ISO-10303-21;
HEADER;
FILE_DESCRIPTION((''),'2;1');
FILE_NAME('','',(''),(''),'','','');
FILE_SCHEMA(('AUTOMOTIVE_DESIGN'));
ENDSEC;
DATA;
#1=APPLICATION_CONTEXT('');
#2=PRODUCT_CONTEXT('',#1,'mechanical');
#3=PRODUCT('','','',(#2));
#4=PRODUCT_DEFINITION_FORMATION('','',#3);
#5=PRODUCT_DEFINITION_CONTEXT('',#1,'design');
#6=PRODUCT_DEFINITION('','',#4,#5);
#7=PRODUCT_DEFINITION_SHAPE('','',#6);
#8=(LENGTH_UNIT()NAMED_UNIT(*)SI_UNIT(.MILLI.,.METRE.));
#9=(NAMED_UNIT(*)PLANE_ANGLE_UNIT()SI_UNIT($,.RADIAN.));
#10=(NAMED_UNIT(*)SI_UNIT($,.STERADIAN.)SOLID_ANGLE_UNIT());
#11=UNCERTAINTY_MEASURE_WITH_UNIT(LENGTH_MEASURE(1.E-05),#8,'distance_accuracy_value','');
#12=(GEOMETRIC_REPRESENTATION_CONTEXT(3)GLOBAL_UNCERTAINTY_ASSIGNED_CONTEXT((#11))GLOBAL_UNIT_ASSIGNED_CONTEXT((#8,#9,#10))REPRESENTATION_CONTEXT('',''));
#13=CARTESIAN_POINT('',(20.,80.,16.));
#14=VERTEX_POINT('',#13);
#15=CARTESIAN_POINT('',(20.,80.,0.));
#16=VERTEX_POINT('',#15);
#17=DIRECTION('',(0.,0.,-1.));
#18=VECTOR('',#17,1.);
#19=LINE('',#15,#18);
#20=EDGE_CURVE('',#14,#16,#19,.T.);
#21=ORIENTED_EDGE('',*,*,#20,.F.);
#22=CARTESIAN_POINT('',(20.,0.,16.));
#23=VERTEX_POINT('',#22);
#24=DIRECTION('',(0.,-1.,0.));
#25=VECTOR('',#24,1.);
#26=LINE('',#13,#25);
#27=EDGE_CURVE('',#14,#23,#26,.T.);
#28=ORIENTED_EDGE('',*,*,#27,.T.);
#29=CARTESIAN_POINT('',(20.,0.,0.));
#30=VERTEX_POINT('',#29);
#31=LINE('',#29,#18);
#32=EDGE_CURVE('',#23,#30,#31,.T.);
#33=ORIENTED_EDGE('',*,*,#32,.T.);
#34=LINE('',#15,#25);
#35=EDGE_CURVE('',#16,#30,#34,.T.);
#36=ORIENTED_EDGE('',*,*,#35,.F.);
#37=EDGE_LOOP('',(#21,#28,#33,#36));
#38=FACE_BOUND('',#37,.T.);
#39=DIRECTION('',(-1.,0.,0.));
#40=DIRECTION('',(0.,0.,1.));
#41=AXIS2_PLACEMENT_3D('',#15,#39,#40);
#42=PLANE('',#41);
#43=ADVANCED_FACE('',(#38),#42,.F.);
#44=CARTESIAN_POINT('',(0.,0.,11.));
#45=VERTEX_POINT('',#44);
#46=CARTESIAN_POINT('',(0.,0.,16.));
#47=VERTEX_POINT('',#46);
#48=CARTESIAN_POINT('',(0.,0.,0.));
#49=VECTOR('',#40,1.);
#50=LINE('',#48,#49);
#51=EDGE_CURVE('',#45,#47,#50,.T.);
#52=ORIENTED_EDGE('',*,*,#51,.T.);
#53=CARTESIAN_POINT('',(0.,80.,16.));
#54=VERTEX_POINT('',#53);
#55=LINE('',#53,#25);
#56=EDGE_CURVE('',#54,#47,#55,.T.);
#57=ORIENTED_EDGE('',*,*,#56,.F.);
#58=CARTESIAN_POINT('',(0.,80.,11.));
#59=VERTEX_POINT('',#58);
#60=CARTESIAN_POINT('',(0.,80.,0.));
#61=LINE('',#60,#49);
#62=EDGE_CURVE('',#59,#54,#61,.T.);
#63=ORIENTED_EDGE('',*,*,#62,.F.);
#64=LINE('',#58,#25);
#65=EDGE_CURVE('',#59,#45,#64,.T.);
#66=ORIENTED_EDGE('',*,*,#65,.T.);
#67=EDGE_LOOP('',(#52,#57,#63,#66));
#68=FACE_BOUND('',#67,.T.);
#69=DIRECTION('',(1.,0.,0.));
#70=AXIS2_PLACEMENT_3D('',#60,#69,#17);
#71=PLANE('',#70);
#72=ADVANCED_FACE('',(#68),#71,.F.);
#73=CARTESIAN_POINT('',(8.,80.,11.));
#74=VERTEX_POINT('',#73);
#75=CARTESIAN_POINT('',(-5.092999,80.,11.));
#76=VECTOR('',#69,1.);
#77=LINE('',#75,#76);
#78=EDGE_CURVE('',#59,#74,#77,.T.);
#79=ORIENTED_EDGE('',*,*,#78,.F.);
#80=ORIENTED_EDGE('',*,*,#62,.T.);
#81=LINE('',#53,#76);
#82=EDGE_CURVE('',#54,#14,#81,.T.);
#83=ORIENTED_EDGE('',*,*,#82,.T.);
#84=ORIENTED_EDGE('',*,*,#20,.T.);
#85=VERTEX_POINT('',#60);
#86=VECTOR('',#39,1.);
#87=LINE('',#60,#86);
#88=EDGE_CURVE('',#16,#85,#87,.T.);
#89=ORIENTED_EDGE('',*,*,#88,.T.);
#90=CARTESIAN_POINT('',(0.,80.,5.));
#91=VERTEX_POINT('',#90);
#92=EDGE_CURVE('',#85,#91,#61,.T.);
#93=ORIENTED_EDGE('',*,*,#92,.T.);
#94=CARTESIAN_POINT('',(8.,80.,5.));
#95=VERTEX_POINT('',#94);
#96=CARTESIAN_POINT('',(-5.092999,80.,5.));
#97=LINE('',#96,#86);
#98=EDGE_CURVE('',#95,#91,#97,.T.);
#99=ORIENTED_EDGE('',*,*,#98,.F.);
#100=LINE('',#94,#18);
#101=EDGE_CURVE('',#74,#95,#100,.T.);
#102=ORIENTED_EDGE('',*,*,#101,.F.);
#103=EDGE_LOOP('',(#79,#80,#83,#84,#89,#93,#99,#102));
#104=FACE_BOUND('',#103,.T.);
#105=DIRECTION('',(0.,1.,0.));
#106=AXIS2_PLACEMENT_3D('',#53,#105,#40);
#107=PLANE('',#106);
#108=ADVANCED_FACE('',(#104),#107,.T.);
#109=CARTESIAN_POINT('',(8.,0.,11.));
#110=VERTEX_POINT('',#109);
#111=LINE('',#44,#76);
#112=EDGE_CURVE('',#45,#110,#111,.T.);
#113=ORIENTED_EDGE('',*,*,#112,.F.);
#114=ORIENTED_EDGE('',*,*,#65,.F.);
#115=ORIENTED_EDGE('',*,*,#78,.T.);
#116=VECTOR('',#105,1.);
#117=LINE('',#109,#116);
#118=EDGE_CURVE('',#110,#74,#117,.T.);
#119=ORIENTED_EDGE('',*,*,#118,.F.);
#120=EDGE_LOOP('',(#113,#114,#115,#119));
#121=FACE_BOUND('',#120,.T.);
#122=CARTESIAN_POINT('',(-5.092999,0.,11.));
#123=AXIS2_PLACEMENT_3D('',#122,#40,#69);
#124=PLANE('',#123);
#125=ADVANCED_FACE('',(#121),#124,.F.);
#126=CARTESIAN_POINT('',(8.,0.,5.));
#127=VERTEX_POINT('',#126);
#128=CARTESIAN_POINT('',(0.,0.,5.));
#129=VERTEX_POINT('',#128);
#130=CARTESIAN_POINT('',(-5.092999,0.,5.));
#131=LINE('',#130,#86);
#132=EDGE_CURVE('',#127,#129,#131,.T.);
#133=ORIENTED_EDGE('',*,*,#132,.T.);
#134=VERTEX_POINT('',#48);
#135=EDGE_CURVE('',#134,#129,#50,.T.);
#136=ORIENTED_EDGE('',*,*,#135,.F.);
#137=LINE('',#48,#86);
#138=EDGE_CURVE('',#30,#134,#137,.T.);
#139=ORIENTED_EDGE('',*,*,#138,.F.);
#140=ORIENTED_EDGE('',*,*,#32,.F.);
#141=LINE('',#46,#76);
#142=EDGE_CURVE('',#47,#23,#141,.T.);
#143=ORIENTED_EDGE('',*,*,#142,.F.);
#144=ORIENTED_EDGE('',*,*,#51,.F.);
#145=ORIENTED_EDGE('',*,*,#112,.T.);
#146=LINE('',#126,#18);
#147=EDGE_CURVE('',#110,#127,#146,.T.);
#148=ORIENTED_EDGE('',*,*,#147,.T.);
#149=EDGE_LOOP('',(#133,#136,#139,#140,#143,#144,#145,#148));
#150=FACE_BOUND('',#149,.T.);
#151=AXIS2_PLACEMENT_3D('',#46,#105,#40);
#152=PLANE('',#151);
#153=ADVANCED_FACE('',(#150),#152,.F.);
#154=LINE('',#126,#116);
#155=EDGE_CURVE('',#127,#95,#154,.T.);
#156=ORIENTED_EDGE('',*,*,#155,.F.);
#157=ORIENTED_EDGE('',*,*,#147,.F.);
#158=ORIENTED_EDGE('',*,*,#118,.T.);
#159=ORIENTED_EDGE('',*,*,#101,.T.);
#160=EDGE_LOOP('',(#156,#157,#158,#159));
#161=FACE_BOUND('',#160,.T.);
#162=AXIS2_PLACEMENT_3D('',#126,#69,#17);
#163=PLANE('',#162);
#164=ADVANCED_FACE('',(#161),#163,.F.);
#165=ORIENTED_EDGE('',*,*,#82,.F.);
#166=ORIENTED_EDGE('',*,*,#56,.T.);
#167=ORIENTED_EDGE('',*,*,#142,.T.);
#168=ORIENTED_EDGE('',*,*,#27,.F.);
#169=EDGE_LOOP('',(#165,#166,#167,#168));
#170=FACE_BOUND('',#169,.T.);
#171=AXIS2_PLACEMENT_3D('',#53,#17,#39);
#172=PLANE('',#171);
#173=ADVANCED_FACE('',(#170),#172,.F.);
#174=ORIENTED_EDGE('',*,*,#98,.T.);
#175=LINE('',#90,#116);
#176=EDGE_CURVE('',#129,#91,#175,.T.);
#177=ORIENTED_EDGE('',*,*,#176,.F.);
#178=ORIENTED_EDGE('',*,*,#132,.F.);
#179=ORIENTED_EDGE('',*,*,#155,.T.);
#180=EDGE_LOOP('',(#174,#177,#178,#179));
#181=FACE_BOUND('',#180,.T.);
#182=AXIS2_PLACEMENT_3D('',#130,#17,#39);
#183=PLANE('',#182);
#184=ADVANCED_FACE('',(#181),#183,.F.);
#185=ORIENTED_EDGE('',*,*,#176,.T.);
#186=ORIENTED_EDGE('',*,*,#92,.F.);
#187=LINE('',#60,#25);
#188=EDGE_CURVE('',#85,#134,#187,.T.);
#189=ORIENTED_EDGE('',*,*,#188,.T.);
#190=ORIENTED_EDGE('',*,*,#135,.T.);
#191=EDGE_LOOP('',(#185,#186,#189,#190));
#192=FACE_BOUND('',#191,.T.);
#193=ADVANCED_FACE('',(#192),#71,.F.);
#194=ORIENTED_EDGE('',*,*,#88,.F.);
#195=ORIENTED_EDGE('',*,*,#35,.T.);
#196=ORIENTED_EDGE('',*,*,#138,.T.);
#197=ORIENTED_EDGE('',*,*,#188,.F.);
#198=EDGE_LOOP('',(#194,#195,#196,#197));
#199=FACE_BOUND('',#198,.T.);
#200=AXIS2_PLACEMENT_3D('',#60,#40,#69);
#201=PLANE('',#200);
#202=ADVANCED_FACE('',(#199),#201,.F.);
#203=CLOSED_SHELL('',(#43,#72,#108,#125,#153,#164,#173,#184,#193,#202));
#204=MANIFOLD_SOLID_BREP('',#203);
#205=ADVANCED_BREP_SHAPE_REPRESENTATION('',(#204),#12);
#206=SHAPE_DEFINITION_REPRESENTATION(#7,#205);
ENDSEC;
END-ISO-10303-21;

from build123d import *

# Parameters (mm, degrees)
SKETCH_1_W          = 20
SKETCH_1_H          = 16
EXTRUDE_1_DEPTH     = 80
SKETCH_2_W          = 13.092998757
SKETCH_2_H          = 6
CUT_EXTRUDE_2_DEPTH = 85


with BuildPart() as part:
    # Эскиз1 → Вытянуть1 (new body)
    with BuildSketch(Plane(origin=(0, 0, 0), x_dir=(1, 0, 0), z_dir=(0, 1, 0))):
        with Locations((10, -8)):
            Rectangle(SKETCH_1_W, SKETCH_1_H)
    extrude(amount=EXTRUDE_1_DEPTH)

    # Эскиз2 → Вытянуть2 (cut, through all)
    with BuildSketch(Plane(origin=(0, 80, 0), x_dir=(1, 0, 0), z_dir=(0, 1, 0))):
        with Locations((1.453500621, -8)):
            Rectangle(SKETCH_2_W, SKETCH_2_H)
    extrude(amount=-CUT_EXTRUDE_2_DEPTH, mode=Mode.SUBTRACT)


solid = part.part
